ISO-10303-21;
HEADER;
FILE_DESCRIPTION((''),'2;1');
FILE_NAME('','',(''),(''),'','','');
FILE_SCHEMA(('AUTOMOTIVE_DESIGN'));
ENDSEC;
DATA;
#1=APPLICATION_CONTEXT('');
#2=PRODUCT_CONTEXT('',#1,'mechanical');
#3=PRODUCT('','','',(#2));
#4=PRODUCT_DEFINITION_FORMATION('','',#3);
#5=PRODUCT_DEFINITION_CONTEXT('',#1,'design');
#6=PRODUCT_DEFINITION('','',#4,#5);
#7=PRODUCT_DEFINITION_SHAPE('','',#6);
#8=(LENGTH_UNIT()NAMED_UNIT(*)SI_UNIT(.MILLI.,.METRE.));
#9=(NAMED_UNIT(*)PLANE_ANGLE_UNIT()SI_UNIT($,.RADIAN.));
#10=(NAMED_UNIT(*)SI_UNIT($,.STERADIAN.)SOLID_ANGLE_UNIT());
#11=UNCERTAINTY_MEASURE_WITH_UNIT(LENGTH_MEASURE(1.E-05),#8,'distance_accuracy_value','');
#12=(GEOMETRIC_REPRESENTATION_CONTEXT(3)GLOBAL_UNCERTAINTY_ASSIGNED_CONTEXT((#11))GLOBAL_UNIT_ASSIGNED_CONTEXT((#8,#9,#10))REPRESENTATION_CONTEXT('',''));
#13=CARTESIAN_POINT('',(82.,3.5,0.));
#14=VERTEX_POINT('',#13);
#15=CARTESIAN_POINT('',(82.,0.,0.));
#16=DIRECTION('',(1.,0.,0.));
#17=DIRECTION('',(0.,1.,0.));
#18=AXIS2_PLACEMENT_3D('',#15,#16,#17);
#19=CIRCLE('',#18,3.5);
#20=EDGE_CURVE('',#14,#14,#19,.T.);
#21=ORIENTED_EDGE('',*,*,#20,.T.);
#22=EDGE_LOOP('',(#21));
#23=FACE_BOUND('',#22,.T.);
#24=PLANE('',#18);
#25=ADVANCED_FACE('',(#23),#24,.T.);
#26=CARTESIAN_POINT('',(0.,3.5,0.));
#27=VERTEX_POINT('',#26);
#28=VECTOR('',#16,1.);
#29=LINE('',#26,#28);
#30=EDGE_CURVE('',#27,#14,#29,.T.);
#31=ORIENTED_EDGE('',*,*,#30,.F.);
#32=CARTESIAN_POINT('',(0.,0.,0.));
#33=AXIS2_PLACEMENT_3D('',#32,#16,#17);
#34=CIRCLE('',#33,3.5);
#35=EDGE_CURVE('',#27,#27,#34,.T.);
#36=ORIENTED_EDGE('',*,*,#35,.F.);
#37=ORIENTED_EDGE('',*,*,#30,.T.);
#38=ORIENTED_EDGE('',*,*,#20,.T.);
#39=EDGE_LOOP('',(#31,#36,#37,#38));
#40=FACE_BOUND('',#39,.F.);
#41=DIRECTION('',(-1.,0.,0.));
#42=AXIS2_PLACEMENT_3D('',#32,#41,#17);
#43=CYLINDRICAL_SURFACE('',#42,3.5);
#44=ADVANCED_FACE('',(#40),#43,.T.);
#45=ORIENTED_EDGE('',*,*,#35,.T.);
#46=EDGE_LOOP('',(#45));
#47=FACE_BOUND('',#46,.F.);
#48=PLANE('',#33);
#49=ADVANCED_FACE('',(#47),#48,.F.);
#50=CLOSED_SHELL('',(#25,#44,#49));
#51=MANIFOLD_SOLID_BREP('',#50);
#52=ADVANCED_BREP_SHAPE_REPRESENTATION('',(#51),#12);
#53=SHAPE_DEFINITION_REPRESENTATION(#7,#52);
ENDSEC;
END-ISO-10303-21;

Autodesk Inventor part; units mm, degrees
ref_plane "YZ Plane" through (0, 0, 0) normal (1, 0, 0) x (0, 1, 0)
ref_plane "XZ Plane" through (0, 0, 0) normal (0, 1, 0) x (-1, 0, 0)
ref_plane "XY Plane" through (0, 0, 0) normal (0, 0, 1) x (1, 0, 0)
sketch "Sketch1" plane through (0, 0, 0) normal (1, 0, 0) x (0, 1, 0)
  circle A0 centre (0, 0) radius 3.5
  dimension "d0" = 7
extrude "Extrusion1" add sketch "Sketch1" along normal blind 82
